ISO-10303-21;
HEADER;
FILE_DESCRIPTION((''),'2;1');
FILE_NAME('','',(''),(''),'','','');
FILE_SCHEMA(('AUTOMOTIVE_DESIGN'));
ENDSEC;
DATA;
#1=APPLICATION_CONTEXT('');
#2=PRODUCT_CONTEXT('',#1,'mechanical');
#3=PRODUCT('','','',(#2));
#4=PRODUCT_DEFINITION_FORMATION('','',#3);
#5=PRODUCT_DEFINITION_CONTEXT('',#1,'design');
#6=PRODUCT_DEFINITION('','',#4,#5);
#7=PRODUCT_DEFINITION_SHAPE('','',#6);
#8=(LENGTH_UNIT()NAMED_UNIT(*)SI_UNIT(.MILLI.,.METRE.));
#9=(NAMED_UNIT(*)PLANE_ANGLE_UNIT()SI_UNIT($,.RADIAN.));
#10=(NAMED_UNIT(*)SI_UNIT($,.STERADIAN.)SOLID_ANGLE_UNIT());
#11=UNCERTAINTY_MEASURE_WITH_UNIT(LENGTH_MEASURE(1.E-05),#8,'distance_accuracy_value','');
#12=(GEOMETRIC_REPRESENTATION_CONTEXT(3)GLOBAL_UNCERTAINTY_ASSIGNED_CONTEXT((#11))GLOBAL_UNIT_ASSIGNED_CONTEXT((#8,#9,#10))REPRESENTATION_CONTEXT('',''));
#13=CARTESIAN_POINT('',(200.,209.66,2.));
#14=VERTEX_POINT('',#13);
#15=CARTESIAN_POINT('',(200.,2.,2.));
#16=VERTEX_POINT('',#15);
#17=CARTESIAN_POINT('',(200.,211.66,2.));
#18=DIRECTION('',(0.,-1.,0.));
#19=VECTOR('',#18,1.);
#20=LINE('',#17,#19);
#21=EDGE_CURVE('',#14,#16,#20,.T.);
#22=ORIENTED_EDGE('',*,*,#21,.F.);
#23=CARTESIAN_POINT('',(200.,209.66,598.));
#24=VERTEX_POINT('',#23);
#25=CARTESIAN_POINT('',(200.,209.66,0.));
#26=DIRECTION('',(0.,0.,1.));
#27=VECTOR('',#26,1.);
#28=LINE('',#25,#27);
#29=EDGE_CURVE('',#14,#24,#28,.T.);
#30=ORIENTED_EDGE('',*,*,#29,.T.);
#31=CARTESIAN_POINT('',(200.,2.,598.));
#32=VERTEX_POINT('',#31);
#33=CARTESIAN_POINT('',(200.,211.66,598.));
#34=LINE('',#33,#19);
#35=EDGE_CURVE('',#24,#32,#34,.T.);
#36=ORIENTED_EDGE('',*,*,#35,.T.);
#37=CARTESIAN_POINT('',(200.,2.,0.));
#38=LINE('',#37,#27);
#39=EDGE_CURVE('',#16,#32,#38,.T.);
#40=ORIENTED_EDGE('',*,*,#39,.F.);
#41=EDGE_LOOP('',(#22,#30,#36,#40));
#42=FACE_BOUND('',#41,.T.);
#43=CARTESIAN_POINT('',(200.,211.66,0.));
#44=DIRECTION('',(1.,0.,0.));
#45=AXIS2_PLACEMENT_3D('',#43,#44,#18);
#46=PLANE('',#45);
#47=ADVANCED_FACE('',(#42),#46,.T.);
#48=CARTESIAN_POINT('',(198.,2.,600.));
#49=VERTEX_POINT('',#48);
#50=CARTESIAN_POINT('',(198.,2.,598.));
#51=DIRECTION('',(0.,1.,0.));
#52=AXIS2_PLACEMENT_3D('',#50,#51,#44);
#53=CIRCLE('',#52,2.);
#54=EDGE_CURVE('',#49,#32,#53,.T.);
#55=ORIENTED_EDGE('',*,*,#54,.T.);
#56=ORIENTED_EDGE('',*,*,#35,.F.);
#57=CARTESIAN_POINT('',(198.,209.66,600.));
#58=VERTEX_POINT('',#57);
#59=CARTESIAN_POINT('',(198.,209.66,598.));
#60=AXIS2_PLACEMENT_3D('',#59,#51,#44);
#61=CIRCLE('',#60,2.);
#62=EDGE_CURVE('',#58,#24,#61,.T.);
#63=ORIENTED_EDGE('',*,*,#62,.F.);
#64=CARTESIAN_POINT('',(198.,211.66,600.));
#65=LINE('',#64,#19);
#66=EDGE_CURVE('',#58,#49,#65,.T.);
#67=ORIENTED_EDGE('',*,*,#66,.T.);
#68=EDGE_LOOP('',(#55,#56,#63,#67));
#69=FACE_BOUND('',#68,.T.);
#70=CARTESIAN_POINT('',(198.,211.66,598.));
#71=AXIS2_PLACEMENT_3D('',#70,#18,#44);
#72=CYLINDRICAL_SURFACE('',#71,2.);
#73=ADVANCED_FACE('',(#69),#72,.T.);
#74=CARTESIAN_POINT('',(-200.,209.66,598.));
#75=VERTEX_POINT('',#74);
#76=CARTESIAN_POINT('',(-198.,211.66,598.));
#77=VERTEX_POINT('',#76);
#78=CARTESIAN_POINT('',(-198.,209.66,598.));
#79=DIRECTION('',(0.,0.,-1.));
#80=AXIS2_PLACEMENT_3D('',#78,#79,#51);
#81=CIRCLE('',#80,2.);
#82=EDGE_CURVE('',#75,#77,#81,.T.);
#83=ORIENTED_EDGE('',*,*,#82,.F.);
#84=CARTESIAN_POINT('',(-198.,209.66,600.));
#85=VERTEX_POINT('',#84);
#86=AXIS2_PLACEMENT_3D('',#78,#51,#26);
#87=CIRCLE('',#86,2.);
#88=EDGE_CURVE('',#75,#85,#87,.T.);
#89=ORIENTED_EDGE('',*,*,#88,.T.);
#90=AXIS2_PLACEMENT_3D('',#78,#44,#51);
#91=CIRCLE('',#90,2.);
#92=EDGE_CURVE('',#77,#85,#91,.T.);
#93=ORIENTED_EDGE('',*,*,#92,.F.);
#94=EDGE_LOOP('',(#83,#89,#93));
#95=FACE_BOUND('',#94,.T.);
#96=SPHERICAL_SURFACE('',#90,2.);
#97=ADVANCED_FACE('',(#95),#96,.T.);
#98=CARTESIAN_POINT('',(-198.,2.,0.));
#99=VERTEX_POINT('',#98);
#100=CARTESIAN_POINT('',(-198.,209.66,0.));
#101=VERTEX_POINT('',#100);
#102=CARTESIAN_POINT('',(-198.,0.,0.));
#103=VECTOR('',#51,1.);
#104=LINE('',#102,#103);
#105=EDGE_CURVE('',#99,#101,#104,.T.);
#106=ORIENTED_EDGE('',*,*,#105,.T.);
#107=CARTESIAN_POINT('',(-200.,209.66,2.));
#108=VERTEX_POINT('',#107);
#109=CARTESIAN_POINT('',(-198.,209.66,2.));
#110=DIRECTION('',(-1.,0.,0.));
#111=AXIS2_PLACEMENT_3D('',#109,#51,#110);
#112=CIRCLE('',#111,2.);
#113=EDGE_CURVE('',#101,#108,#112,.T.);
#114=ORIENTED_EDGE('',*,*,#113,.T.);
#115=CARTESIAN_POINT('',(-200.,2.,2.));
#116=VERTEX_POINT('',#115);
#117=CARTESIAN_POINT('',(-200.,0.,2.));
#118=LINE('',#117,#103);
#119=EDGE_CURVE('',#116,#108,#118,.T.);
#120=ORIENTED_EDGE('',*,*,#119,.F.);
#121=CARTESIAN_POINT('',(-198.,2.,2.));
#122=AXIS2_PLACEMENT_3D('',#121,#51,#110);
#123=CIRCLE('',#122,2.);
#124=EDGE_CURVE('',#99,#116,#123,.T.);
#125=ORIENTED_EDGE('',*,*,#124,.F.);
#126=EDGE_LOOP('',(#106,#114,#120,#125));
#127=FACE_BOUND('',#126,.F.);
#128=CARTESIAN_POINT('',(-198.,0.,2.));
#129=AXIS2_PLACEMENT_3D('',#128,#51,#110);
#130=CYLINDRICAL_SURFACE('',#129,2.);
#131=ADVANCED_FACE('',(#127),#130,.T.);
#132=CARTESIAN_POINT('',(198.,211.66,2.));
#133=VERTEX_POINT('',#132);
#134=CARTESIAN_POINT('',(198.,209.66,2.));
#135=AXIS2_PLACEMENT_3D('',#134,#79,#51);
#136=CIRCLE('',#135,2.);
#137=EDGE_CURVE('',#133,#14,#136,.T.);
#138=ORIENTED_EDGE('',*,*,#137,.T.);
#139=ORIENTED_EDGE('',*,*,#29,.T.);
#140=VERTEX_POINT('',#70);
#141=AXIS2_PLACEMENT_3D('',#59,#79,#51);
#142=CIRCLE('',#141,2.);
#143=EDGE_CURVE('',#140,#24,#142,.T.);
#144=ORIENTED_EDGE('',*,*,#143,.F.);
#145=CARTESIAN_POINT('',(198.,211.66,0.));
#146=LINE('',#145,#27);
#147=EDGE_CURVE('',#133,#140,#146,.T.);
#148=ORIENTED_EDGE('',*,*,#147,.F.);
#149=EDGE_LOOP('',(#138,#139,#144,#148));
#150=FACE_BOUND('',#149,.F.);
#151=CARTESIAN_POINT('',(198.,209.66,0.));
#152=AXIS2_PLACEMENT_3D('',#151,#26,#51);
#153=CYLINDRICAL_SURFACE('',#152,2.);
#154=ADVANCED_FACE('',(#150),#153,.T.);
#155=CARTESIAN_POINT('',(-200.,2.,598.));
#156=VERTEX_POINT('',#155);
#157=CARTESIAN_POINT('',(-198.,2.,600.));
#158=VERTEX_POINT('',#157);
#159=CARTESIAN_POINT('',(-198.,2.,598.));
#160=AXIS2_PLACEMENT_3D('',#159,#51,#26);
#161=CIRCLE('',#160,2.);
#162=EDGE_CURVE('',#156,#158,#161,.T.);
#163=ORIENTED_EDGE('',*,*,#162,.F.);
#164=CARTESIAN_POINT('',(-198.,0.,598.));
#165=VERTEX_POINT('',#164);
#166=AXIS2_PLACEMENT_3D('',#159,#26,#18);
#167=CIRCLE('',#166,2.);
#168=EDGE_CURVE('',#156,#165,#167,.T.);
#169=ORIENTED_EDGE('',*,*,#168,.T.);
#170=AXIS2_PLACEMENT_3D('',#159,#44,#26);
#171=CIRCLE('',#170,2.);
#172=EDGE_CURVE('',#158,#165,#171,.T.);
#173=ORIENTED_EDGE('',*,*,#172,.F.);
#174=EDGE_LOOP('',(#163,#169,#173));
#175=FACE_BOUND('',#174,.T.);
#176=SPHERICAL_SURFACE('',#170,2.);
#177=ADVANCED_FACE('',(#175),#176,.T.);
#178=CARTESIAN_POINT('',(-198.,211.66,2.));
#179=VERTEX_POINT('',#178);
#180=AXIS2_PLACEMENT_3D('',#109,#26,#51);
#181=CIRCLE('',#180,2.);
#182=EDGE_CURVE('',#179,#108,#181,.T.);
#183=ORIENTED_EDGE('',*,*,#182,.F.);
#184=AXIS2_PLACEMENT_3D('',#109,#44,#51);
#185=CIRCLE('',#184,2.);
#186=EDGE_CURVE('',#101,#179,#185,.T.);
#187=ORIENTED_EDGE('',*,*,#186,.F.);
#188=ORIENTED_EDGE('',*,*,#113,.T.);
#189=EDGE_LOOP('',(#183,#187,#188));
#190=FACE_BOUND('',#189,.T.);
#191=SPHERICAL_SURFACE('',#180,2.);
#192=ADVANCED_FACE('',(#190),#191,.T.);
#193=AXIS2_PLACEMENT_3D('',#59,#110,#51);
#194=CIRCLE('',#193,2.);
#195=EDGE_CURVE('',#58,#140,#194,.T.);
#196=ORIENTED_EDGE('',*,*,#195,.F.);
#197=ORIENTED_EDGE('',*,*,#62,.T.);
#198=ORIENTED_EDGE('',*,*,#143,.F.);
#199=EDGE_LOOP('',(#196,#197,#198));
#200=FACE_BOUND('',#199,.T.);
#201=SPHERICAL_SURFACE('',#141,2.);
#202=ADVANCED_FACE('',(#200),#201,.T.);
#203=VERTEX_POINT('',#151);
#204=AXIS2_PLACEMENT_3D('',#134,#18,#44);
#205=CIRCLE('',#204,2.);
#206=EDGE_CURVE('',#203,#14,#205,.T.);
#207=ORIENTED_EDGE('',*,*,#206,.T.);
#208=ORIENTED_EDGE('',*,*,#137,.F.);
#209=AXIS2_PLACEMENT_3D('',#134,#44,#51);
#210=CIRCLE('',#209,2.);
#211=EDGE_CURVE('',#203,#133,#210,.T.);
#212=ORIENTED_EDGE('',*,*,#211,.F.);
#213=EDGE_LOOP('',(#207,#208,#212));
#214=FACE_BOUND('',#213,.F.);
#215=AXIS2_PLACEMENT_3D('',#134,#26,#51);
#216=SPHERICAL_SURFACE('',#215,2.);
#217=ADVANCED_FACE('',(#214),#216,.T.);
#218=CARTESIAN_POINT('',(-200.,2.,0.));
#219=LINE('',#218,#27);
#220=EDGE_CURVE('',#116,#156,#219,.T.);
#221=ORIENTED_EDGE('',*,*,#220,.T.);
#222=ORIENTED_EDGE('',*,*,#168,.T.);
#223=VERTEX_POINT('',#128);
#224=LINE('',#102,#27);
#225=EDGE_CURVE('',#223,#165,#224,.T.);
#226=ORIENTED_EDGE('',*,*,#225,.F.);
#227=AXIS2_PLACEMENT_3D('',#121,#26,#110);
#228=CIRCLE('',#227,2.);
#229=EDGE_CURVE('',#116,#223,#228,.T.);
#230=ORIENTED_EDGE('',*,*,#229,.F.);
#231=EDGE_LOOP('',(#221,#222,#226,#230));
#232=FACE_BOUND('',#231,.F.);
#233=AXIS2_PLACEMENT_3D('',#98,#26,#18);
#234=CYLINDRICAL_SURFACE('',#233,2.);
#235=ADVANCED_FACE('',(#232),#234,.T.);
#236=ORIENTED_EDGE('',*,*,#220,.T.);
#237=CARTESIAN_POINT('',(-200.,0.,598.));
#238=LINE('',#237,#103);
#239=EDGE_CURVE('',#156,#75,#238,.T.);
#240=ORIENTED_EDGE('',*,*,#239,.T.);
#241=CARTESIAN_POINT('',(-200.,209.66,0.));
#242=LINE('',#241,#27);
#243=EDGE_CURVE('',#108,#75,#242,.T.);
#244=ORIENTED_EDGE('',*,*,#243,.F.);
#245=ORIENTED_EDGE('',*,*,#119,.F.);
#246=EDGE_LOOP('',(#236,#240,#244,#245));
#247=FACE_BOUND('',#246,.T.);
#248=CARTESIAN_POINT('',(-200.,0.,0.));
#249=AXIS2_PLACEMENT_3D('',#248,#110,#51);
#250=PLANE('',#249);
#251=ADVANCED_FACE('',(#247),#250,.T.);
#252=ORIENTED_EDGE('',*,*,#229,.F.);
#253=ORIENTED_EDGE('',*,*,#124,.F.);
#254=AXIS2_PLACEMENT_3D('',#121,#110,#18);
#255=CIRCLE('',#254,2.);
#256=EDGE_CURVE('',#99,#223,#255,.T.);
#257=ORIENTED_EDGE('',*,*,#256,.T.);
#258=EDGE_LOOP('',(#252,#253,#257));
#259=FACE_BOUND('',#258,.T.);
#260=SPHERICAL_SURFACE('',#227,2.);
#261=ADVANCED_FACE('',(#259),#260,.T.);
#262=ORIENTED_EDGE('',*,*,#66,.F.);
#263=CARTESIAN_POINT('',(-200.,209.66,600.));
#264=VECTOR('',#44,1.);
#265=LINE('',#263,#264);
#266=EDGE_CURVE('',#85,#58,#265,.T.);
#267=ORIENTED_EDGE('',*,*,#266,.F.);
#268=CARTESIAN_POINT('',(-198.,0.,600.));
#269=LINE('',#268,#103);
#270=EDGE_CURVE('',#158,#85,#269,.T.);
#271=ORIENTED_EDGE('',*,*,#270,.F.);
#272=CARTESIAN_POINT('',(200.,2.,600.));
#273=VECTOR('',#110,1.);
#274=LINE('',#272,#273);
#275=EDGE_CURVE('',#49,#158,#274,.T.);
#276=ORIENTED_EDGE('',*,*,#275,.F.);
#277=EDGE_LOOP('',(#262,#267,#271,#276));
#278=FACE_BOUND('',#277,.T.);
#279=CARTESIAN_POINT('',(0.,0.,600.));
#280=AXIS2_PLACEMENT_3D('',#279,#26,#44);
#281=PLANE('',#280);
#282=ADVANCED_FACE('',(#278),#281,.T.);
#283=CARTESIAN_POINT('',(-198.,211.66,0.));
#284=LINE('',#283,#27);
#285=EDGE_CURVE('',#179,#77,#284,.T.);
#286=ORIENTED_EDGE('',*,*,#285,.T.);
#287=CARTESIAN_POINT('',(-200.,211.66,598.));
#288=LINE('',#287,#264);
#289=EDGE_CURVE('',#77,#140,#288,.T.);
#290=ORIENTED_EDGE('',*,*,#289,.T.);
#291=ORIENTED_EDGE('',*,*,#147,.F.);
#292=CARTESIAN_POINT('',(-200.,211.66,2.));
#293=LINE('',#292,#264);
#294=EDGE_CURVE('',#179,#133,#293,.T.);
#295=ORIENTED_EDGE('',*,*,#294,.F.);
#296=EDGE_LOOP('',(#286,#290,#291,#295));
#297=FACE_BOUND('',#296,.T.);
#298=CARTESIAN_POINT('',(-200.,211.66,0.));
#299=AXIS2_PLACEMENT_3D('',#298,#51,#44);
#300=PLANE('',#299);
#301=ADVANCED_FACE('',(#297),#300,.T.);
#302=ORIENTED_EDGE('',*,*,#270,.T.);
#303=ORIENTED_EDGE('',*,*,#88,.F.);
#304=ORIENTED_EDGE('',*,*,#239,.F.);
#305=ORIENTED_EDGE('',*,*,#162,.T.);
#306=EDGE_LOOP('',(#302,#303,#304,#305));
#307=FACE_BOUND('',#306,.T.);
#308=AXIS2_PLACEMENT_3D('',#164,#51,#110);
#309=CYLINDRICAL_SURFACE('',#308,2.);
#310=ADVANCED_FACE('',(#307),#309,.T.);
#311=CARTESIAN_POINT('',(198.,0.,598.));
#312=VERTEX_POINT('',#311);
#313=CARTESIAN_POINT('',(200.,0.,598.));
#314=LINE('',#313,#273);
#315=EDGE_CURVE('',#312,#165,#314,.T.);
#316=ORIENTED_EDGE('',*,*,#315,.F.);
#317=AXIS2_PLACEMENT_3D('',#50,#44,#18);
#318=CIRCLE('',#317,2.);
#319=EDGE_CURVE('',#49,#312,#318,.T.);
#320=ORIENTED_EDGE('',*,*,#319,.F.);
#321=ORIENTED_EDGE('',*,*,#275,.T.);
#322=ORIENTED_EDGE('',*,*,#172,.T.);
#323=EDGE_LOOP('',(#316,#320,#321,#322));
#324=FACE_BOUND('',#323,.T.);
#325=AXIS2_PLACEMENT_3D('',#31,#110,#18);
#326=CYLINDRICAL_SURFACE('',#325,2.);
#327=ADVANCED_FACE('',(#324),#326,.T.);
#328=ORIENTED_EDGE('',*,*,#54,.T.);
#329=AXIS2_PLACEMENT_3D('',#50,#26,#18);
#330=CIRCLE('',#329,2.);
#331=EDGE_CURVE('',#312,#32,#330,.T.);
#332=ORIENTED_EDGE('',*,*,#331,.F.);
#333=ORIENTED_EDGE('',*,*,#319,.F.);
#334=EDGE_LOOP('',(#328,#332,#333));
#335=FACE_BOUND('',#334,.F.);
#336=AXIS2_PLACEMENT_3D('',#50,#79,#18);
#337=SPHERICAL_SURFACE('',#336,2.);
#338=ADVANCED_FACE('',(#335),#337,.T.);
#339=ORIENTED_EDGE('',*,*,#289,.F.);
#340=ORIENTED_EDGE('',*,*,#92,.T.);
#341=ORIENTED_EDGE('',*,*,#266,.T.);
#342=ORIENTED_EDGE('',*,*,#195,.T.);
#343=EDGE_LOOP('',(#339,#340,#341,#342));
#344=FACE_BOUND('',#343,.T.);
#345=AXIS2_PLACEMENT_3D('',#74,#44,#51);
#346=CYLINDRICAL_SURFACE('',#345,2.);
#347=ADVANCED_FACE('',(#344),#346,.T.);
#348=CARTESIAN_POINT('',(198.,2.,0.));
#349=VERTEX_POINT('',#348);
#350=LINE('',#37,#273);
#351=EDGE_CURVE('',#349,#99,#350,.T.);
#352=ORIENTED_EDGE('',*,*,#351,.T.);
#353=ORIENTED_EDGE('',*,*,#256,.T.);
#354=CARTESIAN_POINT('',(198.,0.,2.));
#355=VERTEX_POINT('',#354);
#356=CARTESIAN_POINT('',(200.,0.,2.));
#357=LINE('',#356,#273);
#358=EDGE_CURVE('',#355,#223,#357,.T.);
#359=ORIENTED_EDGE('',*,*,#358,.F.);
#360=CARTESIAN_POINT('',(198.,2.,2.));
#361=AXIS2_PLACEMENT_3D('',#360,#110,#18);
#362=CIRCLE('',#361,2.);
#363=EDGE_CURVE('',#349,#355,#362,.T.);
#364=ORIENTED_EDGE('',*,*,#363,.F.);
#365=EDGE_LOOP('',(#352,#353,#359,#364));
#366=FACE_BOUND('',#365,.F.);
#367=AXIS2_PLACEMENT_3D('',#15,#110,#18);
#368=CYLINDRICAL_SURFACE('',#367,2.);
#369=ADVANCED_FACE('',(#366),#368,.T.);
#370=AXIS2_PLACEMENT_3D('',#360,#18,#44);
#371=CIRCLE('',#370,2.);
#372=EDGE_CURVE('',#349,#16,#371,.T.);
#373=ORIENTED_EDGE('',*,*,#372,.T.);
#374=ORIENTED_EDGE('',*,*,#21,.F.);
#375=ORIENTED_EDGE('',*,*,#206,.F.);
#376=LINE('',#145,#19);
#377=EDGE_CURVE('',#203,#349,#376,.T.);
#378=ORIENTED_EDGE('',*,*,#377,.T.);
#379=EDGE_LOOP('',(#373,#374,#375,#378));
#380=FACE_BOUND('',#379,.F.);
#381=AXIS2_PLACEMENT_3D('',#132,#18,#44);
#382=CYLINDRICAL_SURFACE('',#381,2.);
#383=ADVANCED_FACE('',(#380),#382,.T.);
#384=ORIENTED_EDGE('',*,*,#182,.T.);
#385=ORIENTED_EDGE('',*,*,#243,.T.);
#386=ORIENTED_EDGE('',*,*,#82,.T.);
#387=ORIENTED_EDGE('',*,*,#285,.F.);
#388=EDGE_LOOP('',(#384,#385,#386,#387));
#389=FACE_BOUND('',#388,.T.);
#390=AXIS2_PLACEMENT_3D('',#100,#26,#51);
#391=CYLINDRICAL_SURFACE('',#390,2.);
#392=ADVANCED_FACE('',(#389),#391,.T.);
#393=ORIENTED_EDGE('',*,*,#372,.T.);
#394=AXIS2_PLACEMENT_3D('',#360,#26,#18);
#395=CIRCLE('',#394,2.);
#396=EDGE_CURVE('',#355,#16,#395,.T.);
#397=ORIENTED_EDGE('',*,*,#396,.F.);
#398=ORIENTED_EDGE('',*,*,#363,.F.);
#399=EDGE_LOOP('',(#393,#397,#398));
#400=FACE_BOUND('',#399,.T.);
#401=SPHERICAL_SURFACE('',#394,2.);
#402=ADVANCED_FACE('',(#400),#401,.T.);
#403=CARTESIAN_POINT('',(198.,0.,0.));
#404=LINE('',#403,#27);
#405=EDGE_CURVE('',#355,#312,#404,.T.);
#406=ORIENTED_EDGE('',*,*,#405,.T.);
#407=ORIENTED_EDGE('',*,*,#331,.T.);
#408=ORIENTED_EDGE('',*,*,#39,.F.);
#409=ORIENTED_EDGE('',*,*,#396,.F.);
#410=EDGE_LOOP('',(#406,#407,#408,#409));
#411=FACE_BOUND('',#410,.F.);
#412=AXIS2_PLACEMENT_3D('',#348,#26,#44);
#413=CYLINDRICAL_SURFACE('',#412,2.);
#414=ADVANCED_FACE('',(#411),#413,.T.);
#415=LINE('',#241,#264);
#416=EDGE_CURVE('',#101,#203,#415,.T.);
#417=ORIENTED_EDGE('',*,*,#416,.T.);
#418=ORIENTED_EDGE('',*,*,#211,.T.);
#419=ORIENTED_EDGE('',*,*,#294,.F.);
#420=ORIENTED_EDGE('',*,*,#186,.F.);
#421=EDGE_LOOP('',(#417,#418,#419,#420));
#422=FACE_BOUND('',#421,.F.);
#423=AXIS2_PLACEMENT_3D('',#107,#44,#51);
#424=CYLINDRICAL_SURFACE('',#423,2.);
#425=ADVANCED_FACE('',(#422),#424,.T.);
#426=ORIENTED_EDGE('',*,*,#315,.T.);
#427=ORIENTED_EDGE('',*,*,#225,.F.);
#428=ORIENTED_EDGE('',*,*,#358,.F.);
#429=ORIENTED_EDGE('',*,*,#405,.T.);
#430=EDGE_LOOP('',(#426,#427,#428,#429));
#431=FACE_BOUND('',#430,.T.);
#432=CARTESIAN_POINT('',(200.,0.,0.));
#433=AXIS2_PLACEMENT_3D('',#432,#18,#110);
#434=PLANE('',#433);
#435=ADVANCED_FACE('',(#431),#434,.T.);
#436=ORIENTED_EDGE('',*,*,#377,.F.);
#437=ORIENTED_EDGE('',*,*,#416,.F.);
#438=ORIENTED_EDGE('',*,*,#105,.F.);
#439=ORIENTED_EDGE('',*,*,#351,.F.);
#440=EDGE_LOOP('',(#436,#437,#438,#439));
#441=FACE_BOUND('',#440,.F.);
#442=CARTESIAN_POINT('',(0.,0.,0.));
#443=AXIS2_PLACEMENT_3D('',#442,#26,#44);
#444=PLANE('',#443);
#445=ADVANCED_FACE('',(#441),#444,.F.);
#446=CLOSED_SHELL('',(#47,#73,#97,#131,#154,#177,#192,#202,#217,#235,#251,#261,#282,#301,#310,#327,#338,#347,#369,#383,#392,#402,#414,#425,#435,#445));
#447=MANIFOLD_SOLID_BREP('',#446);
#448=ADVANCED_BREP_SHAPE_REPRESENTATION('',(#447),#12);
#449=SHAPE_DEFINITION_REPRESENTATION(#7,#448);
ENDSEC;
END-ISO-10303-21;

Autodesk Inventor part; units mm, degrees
ref_plane "YZ Plane" through (0, 0, 0) normal (1, 0, 0) x (0, 1, 0)
ref_plane "XZ Plane" through (0, 0, 0) normal (0, 1, 0) x (-1, 0, 0)
ref_plane "XY Plane" through (0, 0, 0) normal (0, 0, 1) x (1, 0, 0)
sketch "Sketch1" plane through (0, 0, 0) normal (0, 0, 1) x (1, 0, 0)
  line L0 (-200, 211.66) -> (200, 211.66)
  line L1 (200, 211.66) -> (200, 0)
  line L2 (200, 0) -> (-200, 0)
  line L3 (-200, 0) -> (-200, 211.66)
  point P0 (0, 0)
  point P1 (0, 0)
  dimension "d0" = 211.66
  dimension "d1" = 400
extrude "Extrusion1" add sketch "Sketch1" along normal blind 600
fillet "Fillet1" radius 2 12 edges at (200, 211.66, 300) (0, 211.66, 600) (-200, 211.66, 300) (0, 211.66, 0) (200, 0, 300) (0, 0, 600) (200, 105.83, 600) (-200, 105.83, 600) (-200, 0, 300) (-200, 105.83, 0) (0, 0, 0) (200, 105.83, 0)
